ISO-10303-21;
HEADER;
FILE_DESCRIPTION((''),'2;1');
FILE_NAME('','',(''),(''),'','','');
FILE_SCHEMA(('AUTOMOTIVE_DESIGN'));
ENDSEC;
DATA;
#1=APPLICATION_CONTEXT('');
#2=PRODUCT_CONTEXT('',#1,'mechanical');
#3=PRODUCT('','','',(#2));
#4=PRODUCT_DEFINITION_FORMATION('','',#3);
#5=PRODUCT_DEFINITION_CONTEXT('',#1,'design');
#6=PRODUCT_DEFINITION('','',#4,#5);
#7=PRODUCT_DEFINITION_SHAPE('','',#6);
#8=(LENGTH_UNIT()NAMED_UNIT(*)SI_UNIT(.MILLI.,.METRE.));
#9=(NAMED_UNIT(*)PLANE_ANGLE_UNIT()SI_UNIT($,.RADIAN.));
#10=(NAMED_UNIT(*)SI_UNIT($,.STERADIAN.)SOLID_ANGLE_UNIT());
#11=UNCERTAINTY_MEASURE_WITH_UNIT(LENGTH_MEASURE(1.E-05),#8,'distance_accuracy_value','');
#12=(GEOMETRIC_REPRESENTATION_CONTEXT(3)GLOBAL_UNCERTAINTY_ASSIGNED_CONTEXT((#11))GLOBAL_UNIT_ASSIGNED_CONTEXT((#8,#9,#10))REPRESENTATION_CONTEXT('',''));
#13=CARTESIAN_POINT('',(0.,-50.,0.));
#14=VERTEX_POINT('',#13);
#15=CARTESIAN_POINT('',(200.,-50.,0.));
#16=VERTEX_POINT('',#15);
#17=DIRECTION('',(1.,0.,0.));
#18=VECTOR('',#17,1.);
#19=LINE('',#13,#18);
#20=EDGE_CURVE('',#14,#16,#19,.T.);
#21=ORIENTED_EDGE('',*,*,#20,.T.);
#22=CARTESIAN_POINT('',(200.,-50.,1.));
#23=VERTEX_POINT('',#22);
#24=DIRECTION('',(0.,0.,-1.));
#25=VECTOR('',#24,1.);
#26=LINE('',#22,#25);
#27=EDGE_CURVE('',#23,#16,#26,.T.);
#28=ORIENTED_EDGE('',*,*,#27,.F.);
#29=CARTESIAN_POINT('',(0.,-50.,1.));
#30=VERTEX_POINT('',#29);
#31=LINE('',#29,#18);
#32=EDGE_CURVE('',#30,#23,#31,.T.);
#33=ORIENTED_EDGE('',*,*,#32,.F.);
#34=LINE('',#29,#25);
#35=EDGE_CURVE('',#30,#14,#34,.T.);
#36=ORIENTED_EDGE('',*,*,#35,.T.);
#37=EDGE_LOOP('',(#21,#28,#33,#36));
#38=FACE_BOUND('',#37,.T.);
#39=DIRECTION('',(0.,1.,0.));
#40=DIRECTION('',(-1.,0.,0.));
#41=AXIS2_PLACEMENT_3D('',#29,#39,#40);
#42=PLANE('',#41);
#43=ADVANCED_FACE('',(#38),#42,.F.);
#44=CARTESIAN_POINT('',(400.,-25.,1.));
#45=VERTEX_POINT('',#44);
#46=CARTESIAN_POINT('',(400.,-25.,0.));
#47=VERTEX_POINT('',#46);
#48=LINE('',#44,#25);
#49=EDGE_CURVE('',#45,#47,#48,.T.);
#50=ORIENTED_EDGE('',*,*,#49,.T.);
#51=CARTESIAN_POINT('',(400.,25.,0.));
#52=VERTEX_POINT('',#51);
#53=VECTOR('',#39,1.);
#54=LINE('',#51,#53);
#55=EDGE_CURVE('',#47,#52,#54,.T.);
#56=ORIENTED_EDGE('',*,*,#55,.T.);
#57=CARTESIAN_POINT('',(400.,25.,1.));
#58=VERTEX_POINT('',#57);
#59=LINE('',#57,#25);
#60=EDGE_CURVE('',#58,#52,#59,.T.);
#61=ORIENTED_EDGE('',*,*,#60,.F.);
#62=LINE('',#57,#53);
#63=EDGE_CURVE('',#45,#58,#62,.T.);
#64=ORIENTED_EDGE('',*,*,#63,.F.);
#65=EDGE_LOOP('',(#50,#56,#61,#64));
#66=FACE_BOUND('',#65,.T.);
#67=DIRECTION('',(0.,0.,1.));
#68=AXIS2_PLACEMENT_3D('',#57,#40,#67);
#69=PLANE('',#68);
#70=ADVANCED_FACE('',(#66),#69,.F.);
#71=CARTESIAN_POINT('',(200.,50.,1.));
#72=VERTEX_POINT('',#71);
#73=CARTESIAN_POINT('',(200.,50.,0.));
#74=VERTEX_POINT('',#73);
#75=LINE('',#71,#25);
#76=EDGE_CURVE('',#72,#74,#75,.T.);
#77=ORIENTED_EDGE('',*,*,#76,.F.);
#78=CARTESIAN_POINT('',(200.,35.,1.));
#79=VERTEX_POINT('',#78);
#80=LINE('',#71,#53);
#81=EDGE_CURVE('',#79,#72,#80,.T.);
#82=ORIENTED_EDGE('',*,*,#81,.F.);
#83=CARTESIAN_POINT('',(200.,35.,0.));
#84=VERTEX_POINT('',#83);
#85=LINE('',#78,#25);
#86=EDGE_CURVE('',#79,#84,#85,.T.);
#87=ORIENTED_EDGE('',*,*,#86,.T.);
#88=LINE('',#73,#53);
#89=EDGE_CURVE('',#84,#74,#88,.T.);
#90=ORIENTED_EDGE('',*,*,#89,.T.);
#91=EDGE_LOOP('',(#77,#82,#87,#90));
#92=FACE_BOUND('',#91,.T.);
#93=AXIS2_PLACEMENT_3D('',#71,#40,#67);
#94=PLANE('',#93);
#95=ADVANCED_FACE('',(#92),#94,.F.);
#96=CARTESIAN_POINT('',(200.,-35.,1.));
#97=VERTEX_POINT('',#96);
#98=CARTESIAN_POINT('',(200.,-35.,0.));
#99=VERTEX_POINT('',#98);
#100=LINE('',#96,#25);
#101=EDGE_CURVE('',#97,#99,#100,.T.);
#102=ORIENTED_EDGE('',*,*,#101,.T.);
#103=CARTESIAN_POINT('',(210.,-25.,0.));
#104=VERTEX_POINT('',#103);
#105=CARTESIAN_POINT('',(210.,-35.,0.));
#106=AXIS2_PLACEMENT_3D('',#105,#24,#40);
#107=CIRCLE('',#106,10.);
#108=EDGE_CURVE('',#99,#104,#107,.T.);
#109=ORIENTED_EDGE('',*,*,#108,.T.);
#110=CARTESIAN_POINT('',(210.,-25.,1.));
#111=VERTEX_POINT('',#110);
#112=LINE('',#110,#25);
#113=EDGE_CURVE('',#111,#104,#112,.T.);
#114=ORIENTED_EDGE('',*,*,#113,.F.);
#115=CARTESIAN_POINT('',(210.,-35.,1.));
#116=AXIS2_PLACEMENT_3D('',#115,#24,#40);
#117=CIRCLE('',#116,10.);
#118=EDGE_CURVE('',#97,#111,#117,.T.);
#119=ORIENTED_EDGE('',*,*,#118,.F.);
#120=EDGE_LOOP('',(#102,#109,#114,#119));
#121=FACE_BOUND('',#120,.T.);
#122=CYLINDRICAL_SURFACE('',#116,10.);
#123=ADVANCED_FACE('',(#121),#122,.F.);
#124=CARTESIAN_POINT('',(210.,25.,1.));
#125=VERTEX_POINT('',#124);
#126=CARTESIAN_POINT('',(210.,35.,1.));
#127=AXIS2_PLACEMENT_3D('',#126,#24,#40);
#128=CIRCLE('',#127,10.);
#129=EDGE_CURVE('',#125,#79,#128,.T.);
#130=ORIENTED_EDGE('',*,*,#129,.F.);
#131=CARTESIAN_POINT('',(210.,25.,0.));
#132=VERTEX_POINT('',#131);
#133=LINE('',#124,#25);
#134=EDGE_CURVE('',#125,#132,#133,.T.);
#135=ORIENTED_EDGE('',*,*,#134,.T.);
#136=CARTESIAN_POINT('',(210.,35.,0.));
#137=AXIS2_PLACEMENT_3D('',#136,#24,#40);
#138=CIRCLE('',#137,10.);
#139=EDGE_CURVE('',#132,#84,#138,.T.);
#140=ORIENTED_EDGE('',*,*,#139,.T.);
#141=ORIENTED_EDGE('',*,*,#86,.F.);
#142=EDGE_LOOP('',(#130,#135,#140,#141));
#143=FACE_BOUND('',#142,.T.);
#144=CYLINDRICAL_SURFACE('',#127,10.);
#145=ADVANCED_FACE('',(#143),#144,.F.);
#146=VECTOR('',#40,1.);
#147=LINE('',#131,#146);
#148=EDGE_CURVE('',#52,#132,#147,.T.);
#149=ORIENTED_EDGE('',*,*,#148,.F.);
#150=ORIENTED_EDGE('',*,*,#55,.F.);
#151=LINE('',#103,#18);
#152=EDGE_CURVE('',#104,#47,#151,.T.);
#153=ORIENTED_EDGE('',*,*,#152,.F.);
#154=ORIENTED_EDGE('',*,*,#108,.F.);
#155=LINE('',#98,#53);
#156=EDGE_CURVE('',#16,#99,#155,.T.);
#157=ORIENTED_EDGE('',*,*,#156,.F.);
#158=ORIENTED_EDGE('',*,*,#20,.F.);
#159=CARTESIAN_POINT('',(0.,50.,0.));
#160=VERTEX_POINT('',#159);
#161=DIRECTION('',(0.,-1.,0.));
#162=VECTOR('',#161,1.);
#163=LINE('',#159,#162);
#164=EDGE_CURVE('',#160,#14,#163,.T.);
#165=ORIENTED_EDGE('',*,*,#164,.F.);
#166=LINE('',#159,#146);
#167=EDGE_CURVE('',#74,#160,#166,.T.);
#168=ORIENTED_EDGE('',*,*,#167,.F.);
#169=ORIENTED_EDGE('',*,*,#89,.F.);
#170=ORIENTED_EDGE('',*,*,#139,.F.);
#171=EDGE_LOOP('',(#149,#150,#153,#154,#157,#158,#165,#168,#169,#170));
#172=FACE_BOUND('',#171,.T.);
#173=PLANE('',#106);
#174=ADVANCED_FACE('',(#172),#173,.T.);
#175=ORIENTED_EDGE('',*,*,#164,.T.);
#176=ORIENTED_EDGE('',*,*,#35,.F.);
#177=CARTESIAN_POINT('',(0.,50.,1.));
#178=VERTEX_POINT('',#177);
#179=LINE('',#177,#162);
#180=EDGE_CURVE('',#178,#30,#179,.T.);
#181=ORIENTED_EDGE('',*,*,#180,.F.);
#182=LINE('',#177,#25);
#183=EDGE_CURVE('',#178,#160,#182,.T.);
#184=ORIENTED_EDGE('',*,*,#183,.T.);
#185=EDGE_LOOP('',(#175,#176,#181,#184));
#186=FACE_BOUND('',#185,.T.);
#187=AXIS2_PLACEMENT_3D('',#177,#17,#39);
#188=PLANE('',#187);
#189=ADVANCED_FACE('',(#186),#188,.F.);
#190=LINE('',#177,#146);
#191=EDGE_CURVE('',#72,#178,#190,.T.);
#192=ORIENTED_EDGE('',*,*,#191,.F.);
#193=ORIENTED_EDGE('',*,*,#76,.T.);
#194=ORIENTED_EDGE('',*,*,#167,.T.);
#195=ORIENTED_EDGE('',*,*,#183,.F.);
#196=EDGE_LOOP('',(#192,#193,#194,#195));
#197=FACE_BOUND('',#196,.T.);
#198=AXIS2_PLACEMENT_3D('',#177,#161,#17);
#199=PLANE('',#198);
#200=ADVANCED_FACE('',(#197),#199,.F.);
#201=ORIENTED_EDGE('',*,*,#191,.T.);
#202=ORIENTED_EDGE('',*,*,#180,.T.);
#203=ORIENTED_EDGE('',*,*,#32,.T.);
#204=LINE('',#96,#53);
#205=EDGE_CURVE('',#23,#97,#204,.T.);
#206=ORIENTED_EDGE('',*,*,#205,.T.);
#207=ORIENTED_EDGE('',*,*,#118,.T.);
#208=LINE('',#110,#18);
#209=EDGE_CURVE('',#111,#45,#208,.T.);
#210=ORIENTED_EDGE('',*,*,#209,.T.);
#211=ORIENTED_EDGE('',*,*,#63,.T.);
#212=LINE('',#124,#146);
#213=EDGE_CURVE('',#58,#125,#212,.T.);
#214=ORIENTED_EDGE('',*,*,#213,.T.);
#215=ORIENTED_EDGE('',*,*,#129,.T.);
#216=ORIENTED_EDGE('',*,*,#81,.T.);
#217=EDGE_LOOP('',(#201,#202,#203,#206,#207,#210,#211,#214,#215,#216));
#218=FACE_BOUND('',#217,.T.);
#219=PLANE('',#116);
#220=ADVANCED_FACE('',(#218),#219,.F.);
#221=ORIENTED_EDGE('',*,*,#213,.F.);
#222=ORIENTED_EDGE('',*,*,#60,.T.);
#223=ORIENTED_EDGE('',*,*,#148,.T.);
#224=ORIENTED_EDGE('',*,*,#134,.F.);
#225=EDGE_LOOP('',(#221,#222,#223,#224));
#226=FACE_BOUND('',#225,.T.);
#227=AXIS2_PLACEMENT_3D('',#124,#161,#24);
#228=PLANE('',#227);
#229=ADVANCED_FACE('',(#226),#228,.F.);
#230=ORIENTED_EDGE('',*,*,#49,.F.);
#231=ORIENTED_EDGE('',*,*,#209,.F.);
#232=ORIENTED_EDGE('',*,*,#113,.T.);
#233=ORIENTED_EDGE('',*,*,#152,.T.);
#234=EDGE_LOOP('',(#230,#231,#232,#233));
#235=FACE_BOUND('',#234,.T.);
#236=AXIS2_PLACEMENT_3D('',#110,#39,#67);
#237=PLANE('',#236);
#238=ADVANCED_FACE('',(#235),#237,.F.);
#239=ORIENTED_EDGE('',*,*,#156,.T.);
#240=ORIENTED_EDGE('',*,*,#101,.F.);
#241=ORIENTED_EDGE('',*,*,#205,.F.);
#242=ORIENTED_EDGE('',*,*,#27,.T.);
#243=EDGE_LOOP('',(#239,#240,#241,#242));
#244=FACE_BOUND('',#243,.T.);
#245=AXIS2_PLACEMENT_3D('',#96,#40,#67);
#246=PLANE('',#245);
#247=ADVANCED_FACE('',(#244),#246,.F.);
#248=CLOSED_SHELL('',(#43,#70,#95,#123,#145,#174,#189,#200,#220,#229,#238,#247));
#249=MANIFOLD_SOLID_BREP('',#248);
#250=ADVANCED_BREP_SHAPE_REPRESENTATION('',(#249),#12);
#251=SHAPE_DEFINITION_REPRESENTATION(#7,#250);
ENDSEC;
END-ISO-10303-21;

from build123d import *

# Parameters (mm, degrees)
LINEAR_AUSTRAGEN1_DEPTH = 1


with BuildPart() as part:
    # Skizze1 → Linear austragen1 (new body)
    with BuildSketch(Plane.XY):
        with BuildLine():
            Line((0, 50), (200, 50))
            Line((200, 50), (200, 35))
            ThreePointArc((200, 35), (202.928932188, 27.928932188), (210, 25))
            Line((210, 25), (400, 25))
            Line((400, 25), (400, -25))
            Line((400, -25), (210, -25))
            ThreePointArc((210, -25), (202.928932188, -27.928932188), (200, -35))
            Line((200, -35), (200, -50))
            Line((200, -50), (0, -50))
            Line((0, -50), (0, 50))
        make_face()
    extrude(amount=LINEAR_AUSTRAGEN1_DEPTH)


solid = part.part
